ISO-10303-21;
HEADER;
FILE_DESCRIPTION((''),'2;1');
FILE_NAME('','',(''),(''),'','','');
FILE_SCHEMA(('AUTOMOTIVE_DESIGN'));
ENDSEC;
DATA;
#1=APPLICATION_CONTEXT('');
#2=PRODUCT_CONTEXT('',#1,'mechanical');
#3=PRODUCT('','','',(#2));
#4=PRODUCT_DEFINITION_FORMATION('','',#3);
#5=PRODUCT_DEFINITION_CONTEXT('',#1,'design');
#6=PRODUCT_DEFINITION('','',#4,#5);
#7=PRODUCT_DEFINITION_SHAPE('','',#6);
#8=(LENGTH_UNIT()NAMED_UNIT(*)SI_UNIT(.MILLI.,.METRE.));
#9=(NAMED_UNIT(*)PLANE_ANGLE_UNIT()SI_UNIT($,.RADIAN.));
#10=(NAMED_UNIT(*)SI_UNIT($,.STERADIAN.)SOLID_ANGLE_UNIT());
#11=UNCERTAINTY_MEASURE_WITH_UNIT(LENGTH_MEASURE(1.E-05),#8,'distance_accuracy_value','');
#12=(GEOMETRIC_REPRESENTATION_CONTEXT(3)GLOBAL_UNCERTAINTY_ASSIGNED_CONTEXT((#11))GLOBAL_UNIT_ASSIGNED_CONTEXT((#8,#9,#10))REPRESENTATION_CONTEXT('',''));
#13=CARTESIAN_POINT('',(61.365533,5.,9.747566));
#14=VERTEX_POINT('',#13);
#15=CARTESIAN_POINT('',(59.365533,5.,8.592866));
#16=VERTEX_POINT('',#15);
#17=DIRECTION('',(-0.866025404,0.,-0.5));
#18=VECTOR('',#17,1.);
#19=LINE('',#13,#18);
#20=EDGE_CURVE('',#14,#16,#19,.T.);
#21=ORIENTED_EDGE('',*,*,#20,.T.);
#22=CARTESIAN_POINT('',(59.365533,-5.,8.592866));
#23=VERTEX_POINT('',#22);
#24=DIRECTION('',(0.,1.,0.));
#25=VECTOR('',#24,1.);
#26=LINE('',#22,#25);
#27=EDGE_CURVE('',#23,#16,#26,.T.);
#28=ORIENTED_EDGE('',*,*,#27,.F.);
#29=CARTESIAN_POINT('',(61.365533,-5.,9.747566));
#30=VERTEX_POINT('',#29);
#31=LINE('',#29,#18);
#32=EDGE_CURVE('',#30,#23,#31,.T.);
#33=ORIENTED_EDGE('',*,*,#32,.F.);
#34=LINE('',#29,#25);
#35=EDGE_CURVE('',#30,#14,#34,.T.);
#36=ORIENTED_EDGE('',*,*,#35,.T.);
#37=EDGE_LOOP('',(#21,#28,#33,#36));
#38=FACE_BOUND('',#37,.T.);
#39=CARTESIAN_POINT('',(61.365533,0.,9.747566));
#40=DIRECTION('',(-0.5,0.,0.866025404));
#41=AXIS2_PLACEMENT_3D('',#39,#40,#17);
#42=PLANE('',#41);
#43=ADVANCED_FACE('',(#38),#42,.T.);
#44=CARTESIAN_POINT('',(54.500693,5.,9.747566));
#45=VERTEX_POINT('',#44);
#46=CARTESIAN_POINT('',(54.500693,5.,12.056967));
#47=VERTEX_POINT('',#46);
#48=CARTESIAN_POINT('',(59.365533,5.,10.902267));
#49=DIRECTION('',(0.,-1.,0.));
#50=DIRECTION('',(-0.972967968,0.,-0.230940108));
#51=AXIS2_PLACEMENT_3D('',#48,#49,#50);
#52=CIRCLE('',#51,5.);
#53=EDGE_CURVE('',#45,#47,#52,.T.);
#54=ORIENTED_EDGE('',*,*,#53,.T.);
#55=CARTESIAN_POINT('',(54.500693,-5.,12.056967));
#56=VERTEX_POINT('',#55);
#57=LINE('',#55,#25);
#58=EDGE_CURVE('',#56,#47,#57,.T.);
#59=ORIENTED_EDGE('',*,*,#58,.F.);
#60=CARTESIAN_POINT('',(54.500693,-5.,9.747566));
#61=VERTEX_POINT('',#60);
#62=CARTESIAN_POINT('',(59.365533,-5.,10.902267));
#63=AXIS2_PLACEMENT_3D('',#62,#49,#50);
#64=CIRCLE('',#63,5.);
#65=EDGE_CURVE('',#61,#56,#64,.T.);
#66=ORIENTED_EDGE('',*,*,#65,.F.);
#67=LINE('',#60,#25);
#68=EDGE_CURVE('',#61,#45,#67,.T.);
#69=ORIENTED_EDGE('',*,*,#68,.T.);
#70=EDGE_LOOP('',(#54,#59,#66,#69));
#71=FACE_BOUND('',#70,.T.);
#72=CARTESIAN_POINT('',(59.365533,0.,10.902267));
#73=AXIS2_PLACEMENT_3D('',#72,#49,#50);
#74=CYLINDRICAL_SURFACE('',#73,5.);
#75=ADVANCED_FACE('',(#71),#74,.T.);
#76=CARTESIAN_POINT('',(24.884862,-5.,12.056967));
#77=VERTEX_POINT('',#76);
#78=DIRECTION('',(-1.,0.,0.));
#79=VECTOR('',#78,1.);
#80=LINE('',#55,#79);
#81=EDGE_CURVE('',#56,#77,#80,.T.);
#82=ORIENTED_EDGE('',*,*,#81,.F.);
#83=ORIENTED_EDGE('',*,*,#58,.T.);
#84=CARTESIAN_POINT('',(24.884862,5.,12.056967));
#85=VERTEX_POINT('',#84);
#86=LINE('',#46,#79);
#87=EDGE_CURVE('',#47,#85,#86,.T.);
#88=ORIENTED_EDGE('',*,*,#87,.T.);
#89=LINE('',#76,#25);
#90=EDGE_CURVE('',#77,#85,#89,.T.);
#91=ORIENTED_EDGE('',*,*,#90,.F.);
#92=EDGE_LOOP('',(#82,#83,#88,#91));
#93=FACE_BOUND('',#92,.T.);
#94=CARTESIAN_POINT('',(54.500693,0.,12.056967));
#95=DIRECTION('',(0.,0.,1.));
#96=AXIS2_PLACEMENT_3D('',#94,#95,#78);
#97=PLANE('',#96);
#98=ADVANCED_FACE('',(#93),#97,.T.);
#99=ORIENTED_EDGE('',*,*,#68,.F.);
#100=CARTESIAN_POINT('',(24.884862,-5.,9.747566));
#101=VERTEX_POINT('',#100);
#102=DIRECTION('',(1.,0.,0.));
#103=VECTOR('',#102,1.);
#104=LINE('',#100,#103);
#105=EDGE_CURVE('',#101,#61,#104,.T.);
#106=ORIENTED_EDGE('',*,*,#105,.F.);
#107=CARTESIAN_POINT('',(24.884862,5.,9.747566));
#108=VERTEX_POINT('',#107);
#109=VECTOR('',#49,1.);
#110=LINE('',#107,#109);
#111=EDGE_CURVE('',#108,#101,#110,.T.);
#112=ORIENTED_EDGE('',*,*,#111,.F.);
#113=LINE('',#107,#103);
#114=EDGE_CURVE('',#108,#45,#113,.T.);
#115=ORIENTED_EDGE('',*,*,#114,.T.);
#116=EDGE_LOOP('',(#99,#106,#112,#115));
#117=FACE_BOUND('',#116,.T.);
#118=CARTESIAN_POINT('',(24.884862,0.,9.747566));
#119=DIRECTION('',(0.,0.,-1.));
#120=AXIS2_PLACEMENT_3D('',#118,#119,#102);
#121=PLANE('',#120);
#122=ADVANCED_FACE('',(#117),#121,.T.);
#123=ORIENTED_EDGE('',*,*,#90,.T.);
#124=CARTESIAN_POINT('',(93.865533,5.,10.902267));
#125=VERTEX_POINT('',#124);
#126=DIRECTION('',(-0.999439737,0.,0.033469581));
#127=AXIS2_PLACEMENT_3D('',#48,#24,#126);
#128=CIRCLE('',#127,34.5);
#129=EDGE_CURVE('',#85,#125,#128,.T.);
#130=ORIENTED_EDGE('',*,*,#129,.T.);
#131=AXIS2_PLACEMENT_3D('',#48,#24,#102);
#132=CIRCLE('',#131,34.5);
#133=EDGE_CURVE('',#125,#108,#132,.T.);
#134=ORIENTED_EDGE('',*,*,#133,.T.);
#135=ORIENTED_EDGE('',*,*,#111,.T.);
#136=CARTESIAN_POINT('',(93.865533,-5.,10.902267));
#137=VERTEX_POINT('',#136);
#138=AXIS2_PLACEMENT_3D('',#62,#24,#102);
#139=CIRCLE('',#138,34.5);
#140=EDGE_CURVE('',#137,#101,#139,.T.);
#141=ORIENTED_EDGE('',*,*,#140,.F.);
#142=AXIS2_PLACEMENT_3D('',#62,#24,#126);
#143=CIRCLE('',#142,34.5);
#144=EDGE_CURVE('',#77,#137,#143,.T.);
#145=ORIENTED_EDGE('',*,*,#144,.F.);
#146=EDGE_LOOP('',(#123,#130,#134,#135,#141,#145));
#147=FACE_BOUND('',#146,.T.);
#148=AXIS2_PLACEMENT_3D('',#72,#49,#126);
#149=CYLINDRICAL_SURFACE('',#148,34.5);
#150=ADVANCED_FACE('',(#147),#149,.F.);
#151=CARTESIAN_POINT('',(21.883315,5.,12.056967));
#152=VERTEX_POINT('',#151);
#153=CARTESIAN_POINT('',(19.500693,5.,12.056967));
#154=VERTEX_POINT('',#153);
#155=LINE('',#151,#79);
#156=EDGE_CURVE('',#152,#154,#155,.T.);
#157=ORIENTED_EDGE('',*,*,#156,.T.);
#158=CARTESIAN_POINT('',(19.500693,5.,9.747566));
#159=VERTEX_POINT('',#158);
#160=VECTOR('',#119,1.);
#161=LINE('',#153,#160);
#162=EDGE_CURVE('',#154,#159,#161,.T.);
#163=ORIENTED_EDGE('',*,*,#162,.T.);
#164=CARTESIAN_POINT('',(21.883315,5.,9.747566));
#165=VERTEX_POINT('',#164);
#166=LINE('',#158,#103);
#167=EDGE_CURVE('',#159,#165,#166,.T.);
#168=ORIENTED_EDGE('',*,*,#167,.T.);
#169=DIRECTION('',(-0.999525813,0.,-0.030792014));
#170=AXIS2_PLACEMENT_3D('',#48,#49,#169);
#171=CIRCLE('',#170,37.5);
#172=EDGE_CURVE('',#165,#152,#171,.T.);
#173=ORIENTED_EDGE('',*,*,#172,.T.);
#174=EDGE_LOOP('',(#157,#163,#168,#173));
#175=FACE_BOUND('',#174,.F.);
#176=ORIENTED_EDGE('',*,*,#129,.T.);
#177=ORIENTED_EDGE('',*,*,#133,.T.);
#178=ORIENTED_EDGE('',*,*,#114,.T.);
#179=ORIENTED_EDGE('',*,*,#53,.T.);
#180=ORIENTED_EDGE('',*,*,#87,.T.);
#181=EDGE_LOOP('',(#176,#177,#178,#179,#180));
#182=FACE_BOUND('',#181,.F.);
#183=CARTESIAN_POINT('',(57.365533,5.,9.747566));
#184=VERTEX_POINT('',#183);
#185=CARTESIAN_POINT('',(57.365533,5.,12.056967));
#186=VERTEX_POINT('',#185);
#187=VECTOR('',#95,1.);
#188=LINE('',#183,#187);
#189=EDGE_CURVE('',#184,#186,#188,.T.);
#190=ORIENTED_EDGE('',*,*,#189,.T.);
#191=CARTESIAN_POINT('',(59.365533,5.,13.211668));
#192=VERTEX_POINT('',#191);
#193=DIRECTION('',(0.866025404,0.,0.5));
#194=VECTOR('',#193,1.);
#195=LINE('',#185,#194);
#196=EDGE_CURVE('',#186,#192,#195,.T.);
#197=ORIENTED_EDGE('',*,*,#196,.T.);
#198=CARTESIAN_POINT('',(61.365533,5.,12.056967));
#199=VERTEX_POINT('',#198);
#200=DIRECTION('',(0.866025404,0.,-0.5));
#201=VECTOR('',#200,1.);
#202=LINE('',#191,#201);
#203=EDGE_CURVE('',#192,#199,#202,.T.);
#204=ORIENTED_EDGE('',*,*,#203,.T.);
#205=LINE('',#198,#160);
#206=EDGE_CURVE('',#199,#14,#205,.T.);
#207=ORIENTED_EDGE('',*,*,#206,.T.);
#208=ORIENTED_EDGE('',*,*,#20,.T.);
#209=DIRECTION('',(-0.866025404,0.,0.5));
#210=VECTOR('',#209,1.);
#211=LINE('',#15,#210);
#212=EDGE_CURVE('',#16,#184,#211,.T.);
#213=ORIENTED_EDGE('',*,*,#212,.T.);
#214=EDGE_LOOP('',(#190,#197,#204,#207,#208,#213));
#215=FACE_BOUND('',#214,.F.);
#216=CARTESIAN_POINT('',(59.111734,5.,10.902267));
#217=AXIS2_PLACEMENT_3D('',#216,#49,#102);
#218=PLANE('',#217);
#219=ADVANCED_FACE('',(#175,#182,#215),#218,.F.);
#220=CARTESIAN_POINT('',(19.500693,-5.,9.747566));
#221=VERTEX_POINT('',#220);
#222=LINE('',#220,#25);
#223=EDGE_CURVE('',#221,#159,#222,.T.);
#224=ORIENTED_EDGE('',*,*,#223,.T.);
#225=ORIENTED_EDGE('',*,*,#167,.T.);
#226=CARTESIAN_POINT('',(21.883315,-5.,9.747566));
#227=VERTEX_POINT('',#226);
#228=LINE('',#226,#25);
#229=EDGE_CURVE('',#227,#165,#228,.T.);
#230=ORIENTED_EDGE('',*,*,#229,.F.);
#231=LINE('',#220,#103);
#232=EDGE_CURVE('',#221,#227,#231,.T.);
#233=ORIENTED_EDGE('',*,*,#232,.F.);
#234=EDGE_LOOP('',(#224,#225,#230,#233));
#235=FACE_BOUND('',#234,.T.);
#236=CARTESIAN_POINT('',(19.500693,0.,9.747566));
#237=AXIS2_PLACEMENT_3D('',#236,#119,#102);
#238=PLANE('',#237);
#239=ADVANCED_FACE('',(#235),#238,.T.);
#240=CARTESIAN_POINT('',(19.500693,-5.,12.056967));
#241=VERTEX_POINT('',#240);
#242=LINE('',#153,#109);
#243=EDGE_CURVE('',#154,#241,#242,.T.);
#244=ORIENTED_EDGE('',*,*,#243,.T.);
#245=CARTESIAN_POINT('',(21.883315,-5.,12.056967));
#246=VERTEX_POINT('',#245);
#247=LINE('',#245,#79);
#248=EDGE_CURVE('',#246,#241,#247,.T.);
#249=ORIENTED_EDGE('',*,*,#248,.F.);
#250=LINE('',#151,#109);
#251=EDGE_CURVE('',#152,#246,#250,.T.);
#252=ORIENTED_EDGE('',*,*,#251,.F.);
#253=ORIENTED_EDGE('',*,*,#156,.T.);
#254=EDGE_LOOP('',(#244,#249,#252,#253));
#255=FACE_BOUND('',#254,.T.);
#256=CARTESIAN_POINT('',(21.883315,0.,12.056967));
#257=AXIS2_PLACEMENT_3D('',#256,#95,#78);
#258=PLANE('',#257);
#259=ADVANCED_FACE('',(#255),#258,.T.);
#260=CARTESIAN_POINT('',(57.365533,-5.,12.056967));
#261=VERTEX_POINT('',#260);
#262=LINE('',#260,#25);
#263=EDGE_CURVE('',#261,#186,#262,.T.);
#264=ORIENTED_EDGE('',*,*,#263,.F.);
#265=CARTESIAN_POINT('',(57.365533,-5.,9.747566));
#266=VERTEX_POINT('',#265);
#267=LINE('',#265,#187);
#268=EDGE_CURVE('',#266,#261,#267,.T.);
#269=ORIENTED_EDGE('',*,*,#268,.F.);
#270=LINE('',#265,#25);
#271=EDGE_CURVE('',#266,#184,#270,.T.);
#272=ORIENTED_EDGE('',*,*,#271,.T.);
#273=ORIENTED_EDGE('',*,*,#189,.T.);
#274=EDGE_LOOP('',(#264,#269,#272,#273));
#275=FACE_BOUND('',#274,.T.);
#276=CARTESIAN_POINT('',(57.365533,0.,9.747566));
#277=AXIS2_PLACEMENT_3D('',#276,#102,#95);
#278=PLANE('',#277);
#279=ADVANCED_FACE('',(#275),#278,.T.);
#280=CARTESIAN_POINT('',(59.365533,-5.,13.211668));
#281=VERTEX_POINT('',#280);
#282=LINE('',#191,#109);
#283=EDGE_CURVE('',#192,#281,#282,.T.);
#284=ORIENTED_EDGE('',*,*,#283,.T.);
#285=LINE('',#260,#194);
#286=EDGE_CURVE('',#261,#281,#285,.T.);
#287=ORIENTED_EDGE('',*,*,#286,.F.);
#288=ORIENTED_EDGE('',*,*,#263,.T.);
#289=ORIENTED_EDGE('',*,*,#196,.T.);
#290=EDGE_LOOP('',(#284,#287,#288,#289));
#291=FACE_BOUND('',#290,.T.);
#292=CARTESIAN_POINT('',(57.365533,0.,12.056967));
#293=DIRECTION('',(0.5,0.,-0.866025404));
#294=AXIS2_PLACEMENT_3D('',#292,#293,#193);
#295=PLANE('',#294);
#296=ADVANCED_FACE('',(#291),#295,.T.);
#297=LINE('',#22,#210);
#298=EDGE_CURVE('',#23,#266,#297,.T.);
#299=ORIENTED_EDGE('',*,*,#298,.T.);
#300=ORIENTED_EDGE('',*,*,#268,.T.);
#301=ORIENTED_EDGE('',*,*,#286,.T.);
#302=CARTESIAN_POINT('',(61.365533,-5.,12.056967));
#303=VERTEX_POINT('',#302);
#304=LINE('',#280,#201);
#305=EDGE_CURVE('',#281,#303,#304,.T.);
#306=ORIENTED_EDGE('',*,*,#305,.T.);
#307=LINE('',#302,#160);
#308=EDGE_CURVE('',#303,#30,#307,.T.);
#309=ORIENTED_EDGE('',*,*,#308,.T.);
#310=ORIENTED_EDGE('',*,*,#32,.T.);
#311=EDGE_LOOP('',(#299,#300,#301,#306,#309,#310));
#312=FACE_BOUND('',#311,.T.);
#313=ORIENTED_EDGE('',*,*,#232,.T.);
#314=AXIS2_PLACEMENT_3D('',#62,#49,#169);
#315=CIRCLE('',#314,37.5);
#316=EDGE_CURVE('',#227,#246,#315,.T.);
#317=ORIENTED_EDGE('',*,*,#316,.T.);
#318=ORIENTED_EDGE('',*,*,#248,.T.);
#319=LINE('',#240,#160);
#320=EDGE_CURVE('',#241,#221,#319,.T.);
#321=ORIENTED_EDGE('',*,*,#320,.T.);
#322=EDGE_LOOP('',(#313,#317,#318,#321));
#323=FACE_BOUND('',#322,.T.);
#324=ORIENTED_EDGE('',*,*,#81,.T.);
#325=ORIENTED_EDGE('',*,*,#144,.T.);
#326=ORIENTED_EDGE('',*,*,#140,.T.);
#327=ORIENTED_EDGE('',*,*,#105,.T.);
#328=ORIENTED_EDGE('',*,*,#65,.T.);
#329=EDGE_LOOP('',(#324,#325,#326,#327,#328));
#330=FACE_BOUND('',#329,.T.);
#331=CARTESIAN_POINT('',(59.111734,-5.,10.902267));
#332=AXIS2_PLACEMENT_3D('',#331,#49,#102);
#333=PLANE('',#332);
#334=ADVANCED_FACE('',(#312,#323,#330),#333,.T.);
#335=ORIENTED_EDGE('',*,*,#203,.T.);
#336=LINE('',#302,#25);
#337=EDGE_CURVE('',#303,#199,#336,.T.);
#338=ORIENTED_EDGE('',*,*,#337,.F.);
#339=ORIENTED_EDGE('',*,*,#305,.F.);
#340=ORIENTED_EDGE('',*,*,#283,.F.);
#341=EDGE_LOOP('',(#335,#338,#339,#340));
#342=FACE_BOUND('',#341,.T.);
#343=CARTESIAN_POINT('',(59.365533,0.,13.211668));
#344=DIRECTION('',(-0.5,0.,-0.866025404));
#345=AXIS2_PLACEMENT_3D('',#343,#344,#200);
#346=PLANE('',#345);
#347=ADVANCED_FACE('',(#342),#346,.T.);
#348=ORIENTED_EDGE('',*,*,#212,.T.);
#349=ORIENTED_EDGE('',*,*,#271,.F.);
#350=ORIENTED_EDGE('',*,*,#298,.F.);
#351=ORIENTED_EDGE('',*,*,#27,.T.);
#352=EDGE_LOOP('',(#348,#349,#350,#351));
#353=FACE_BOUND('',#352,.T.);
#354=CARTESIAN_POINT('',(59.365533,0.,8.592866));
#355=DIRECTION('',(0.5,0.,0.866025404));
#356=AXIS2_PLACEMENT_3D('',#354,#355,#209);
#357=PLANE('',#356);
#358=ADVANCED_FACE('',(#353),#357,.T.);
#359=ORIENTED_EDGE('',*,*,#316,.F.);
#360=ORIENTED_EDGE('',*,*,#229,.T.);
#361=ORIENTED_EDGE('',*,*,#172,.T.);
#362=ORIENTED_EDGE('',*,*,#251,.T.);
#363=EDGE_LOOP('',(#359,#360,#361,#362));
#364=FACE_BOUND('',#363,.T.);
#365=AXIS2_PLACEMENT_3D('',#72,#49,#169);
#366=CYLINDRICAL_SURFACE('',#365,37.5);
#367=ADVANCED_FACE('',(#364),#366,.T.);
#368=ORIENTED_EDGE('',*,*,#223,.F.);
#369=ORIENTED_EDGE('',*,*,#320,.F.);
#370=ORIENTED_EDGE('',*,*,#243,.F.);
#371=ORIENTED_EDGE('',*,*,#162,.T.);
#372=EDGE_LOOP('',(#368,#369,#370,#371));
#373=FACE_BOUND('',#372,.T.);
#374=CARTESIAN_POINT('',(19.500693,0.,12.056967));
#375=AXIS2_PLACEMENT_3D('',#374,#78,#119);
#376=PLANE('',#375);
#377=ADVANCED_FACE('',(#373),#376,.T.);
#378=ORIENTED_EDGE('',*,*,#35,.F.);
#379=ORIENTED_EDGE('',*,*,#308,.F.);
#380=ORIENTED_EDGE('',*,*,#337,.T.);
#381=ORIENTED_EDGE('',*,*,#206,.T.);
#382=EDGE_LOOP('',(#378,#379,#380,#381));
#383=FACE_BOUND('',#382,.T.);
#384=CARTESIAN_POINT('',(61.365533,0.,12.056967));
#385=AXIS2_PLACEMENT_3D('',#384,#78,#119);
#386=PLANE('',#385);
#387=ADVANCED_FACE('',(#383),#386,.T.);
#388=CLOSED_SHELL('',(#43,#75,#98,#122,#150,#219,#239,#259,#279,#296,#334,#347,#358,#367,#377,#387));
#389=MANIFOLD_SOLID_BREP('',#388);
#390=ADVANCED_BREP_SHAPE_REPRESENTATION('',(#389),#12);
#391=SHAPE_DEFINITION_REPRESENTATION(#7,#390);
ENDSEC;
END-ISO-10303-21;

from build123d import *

# Parameters (mm, degrees)
F1_DEPTH = 5


with BuildPart() as f1:
    # F0 (on Front) → F1 (new body, symmetric)
    with BuildSketch(Plane.XZ):
        with BuildLine():
            ThreePointArc((21.8833147946, 9.747566411), (59.9429515251, -26.5932872886), (96.8655328008, 10.9022669494))
            ThreePointArc((96.8655328008, 10.9022669494), (59.9429515251, 48.3978211874), (21.8833147946, 12.0569674878))
            Line((21.8833147946, 12.0569674878), (24.884861887, 12.0569674878))
            ThreePointArc((24.884861887, 12.0569674878), (59.9429639541, 45.3974343394), (93.8655328008, 10.9022669494))
            ThreePointArc((93.8655328008, 10.9022669494), (59.9429639541, -23.5929004406), (24.884861887, 9.747566411))
            Line((24.884861887, 9.747566411), (21.8833147946, 9.747566411))
        make_face()
        with BuildLine():
            Line((24.884861887, 12.0569674878), (21.8833147946, 12.0569674878))
            ThreePointArc((21.8833147946, 12.0569674878), (21.8655328008, 10.9022669494), (21.8833147946, 9.747566411))
            Line((21.8833147946, 9.747566411), (24.884861887, 9.747566411))
            ThreePointArc((24.884861887, 9.747566411), (24.8655328008, 10.9022669494), (24.884861887, 12.0569674878))
        make_face()
        with BuildLine():
            ThreePointArc((21.8833147946, 9.747566411), (21.8655328008, 10.9022669494), (21.8833147946, 12.0569674878))
            Line((21.8833147946, 12.0569674878), (19.5006929611, 12.0569674878))
            Line((19.5006929611, 12.0569674878), (19.5006929611, 9.747566411))
            Line((19.5006929611, 9.747566411), (21.8833147946, 9.747566411))
        make_face()
        with BuildLine():
            Line((54.5006929611, 12.0569674878), (24.884861887, 12.0569674878))
            ThreePointArc((24.884861887, 12.0569674878), (24.8655328008, 10.9022669494), (24.884861887, 9.747566411))
            Line((24.884861887, 9.747566411), (54.5006929611, 9.747566411))
            ThreePointArc((54.5006929611, 9.747566411), (64.3655328008, 10.9022669494), (54.5006929611, 12.0569674878))
        make_face()
        Polygon((59.3655328008, 13.2116680262), (61.3655328008, 12.0569674878), (61.3655328008, 9.747566411), (59.3655328008, 8.5928658727), (57.3655328008, 9.747566411), (57.3655328008, 12.0569674878), align=None, mode=Mode.SUBTRACT)
    extrude(amount=F1_DEPTH, both=True)


solid = f1.part
